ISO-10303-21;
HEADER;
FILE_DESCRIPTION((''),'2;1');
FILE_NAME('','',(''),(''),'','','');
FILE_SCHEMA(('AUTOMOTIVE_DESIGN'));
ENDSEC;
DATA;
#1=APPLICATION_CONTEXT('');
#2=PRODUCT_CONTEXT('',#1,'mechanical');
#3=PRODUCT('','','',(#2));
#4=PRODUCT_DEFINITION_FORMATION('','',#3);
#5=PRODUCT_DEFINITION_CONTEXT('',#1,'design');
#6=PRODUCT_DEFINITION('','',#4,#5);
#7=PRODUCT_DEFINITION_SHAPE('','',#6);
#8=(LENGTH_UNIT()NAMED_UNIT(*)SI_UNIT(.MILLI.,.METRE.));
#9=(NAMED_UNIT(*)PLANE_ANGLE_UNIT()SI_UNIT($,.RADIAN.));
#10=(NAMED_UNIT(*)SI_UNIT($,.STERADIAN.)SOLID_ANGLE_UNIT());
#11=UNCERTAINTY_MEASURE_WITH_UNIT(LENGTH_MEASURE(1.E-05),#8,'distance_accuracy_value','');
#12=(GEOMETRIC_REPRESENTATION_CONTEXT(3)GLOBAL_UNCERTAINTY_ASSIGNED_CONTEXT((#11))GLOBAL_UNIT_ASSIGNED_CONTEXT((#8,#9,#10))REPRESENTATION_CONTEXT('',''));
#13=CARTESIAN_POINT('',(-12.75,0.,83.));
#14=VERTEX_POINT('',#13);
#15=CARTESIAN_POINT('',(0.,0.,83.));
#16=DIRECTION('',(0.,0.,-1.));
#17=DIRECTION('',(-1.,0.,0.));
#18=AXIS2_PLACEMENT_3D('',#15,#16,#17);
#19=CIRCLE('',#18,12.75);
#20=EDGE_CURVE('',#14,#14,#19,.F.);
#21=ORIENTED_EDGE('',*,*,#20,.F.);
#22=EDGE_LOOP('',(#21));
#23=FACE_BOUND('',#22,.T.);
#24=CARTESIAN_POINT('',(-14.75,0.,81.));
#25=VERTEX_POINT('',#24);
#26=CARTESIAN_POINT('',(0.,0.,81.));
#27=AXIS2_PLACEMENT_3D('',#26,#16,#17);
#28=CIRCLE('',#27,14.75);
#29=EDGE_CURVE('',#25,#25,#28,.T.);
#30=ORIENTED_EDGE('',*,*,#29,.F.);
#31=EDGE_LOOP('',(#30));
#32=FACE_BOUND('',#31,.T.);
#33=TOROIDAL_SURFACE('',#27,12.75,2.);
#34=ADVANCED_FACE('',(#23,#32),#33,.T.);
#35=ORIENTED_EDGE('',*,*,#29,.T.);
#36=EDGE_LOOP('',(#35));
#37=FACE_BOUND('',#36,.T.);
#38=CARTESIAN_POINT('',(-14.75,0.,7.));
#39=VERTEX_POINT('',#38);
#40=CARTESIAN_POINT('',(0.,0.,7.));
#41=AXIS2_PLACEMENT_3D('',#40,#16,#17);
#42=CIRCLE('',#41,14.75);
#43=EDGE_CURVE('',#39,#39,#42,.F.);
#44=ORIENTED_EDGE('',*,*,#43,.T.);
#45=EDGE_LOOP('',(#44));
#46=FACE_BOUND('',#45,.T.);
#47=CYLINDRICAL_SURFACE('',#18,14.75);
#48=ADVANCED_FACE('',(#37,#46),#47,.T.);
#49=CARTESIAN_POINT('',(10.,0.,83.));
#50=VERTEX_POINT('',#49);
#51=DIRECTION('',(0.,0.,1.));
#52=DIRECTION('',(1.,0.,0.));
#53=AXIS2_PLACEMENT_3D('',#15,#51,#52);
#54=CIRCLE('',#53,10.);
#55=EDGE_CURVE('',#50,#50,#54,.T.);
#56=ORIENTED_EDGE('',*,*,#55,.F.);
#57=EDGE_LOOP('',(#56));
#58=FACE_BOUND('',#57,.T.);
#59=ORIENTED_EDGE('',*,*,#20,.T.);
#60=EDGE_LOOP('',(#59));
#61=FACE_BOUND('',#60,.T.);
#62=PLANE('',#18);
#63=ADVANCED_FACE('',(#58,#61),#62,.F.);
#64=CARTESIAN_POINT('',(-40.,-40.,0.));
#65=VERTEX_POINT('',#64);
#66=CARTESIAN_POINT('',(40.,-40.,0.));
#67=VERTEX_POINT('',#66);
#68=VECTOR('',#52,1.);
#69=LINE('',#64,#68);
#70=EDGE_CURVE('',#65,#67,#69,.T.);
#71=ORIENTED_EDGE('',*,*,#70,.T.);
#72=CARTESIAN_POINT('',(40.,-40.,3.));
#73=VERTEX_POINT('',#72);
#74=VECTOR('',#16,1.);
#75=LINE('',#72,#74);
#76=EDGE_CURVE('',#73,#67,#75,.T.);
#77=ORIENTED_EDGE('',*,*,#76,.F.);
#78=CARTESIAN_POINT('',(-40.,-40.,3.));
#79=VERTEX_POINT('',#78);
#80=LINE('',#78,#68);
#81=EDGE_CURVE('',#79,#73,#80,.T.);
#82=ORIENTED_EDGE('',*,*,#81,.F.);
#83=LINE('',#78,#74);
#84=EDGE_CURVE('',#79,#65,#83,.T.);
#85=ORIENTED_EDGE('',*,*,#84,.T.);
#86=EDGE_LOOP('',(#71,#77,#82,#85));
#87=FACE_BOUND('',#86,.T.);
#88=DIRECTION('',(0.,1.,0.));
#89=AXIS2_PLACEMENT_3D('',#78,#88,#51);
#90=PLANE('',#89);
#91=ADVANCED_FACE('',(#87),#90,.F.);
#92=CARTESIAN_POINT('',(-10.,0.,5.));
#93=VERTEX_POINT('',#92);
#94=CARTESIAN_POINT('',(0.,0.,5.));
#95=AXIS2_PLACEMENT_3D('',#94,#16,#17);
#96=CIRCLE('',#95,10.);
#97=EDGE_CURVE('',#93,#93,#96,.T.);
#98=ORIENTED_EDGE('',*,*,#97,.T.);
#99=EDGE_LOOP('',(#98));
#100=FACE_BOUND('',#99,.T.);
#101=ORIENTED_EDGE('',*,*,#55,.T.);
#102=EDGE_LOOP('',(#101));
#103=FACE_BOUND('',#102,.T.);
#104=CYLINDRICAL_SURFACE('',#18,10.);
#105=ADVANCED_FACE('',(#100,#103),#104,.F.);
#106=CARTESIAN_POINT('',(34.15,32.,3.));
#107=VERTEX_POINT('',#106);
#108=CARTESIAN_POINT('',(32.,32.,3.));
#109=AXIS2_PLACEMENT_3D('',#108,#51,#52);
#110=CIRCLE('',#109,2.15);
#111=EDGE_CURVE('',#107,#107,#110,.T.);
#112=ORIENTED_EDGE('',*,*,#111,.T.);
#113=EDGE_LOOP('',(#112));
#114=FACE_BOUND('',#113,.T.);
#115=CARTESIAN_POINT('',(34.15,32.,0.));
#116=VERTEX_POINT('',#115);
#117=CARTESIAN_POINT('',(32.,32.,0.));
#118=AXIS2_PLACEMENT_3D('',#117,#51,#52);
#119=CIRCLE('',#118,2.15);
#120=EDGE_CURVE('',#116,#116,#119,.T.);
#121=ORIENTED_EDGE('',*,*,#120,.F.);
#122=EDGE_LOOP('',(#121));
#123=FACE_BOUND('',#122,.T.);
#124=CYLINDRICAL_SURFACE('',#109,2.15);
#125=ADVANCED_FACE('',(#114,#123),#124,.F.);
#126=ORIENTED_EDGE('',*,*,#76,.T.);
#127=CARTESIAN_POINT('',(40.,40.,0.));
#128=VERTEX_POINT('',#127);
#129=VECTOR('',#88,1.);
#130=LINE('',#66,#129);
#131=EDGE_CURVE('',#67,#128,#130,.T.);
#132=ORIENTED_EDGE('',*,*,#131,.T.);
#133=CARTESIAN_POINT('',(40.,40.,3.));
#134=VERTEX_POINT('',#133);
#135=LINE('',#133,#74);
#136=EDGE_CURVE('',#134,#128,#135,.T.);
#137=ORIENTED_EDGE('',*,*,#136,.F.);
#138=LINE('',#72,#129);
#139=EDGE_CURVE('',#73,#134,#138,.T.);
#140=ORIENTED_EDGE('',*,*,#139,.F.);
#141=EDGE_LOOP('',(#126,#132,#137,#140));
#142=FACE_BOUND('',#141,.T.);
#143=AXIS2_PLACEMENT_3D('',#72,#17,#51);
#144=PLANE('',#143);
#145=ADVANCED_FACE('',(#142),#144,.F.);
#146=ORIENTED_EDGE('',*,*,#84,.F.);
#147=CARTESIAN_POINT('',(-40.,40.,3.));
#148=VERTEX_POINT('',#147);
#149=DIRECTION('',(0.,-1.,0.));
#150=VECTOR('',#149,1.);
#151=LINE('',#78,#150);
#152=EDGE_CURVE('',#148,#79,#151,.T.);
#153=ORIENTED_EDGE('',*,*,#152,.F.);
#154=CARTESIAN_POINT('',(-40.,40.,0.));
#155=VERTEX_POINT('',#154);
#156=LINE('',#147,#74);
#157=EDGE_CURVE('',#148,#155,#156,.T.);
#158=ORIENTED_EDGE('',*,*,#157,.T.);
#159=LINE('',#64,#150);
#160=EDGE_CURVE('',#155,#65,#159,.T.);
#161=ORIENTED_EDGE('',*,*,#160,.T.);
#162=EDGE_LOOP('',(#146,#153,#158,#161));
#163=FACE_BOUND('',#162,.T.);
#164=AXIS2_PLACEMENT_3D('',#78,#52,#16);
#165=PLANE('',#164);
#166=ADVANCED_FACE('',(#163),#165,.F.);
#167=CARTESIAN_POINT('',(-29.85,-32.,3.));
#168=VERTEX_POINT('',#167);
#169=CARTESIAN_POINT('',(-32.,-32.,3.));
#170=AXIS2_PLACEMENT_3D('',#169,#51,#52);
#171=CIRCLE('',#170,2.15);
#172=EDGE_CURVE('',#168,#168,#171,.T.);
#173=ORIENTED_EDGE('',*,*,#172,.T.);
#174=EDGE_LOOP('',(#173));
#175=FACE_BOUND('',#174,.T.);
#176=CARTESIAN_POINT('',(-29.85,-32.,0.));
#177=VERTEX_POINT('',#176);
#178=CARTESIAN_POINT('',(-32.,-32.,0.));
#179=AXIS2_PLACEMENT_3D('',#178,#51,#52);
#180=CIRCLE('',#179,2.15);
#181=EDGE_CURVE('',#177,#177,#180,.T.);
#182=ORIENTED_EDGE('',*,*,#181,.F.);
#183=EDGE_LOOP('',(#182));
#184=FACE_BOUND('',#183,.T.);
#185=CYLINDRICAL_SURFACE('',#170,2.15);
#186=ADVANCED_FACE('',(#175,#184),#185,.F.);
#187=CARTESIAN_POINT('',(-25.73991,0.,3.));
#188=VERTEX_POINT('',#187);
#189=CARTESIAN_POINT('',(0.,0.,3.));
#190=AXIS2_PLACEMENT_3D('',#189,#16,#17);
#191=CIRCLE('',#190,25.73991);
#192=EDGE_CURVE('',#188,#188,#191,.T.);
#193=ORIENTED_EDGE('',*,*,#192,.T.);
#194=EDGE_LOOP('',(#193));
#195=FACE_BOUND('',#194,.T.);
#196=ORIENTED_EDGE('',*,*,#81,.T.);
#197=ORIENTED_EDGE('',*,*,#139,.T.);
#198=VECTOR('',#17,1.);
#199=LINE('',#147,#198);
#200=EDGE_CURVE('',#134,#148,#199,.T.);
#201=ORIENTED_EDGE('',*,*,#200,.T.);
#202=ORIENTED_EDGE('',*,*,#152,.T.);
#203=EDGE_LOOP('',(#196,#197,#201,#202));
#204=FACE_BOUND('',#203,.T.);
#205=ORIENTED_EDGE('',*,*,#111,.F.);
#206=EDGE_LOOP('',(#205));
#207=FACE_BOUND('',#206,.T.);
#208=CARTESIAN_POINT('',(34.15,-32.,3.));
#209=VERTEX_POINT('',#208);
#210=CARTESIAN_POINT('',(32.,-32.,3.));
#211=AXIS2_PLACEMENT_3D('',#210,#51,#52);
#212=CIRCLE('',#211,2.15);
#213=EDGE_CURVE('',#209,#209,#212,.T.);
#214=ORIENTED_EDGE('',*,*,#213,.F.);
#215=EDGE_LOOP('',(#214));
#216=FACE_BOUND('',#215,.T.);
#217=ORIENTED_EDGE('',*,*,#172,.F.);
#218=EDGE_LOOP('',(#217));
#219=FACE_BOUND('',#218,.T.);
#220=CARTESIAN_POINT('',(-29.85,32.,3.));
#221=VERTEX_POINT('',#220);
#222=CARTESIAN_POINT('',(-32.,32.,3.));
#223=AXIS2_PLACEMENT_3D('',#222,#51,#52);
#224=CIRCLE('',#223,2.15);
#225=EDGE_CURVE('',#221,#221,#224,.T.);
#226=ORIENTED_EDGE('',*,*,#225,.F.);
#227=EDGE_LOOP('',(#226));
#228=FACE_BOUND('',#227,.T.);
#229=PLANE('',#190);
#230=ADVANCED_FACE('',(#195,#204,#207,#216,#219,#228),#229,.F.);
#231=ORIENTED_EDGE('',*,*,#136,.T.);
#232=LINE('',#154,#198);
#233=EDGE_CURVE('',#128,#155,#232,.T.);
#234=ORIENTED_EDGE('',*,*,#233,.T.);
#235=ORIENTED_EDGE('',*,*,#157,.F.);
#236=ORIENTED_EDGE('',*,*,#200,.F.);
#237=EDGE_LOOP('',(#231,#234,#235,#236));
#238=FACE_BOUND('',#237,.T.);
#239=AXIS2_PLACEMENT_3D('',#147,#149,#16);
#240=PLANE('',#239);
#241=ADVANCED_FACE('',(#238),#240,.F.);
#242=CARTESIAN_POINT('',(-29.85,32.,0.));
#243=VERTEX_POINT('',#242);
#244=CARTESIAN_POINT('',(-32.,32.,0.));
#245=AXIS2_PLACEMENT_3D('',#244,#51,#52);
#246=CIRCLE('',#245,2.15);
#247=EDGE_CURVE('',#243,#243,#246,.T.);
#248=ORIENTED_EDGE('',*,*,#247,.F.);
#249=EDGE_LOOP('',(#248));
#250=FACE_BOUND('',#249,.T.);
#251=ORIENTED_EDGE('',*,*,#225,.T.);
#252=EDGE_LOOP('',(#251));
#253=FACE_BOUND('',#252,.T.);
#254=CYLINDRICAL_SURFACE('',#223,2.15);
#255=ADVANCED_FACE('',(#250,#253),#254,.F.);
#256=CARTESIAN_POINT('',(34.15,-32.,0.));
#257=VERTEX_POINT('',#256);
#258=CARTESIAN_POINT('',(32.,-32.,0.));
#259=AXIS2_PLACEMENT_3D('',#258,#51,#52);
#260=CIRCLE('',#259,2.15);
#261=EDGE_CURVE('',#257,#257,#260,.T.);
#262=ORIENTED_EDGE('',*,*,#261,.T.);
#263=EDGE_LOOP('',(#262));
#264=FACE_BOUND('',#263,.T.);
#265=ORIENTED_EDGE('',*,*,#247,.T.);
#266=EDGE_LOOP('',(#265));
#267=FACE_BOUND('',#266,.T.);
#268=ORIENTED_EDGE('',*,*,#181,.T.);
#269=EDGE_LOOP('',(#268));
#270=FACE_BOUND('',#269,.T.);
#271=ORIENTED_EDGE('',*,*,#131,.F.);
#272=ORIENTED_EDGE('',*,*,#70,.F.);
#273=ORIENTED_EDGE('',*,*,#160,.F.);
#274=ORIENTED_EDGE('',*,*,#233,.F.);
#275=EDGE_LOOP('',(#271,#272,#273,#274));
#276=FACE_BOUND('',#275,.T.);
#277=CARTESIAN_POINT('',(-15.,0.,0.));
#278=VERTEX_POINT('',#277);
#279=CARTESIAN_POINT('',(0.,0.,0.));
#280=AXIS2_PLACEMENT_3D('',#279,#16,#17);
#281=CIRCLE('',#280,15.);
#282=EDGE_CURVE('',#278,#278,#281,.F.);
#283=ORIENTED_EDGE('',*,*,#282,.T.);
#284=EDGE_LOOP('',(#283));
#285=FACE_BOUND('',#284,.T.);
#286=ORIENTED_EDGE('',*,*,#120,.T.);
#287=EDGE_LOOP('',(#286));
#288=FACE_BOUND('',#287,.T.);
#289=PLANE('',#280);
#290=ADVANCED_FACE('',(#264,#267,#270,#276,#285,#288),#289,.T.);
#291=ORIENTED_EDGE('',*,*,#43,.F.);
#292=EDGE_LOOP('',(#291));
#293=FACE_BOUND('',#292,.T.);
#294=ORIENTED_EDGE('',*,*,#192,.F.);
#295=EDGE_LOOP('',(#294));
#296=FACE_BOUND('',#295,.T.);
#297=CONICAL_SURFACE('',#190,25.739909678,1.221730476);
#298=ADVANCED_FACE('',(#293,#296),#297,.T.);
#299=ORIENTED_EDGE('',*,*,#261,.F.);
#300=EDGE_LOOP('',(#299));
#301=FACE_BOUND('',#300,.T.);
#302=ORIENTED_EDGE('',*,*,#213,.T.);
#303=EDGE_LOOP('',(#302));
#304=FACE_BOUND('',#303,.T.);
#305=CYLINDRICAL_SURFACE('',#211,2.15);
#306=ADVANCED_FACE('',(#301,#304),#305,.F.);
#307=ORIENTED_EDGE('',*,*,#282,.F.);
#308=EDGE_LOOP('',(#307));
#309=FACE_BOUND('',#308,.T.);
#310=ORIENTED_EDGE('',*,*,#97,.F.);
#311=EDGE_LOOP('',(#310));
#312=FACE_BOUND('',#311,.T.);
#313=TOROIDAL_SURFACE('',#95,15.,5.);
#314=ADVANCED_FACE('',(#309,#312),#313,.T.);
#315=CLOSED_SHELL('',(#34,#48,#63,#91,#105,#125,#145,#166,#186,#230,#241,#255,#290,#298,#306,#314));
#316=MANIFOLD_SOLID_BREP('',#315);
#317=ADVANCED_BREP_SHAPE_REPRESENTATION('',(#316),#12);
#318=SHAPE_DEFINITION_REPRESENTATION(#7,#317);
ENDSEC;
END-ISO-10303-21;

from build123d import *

# Parameters (mm, degrees)
ESQUISSE1_W                  = 80
ESQUISSE1_H                  = 80
BOSS_EXTRU_1_DEPTH           = 3
BOSS_EXTRU_2_START           = 3
ESQUISSE2_R                  = 14.75
BOSS_EXTRU_2_DEPTH           = 80
CONG_1_R                     = 2
CHANFREIN1_SIZE              = 4
CHANFREIN1_SIZE2             = 10.989909678
ENL_V_MAT_EXTRU_1_DEPTH      = 101.444014257
ENL_V_MAT_EXTRU_1_DEPTH_BACK = 101.444014257
ESQUISSE3_R                  = 10
CONG_2_R                     = 5
D_GAGEMENT_M43_D             = 4.3
SYM_TRIE2_COPY_1_D           = 4.3


with BuildPart() as part:
    # Esquisse1 → Boss.-Extru.1 (new body)
    with BuildSketch(Plane.XY):
        Rectangle(ESQUISSE1_W, ESQUISSE1_H)
    extrude(amount=BOSS_EXTRU_1_DEPTH)

    # Esquisse2 → Boss.-Extru.2 (add)
    with BuildSketch(Plane.XY.offset(BOSS_EXTRU_2_START)):
        with Locations(Location((0, 0, 0), (0, 0, 180))):
            Circle(ESQUISSE2_R)
    extrude(amount=BOSS_EXTRU_2_DEPTH)

    # Congé1
    cong_1_edges = [part.edges().sort_by_distance(p)[0] for p in [
        (14.75, 0, 83),
    ]]
    fillet(cong_1_edges, radius=CONG_1_R)

    # Chanfrein1
    chanfrein1_edges = [part.edges().sort_by_distance(p)[0] for p in [
        (14.75, 0, 3),
    ]]
    chanfrein1_side = [part.faces().sort_by_distance(p)[0] for p in [
        (14.75, 0, 42),
    ]]
    chamfer(chanfrein1_edges, length=CHANFREIN1_SIZE, length2=CHANFREIN1_SIZE2, reference=chanfrein1_side[0])

    # Esquisse3 → Enlèv. mat.-Extru.1 (cut, two sides: drawn at the far end of the back side and taken through both)
    with BuildSketch(Plane.XY.offset(-ENL_V_MAT_EXTRU_1_DEPTH_BACK)):
        with Locations(Location((0, 0, 0), (0, 0, 180))):
            Circle(ESQUISSE3_R)
    extrude(amount=ENL_V_MAT_EXTRU_1_DEPTH + ENL_V_MAT_EXTRU_1_DEPTH_BACK, mode=Mode.SUBTRACT)

    # Congé2
    cong_2_edges = [part.edges().sort_by_distance(p)[0] for p in [
        (10, 0, 0),
    ]]
    fillet(cong_2_edges, radius=CONG_2_R)

    # Dégagement M43 (through all)
    with Locations(Plane(origin=(3.971676253, 8.06271861, 3), x_dir=(1, 0, 0), z_dir=(0, 0, 1))):
        with Locations((28.028323747, -40.06271861)):
            d_gagement_m43 = Hole(D_GAGEMENT_M43_D / 2)

    # Symétrie1: Dégagement M43 across plane
    add(d_gagement_m43.mirror(Plane.ZX), mode=Mode.SUBTRACT)

    # Symétrie2: Dégagement M43 across plane
    add(d_gagement_m43.mirror(Plane(origin=(0, 0, 0), x_dir=(0, 0, 1), z_dir=(1, 0, 0))), mode=Mode.SUBTRACT)

    # Symétrie2 copy 1 (through all)
    with Locations(Plane(origin=(-3.971676253, -8.06271861, 3), x_dir=(-1, 0, 0), z_dir=(0, 0, 1))):
        with Locations((28.028323747, -40.06271861)):
            Hole(SYM_TRIE2_COPY_1_D / 2)


solid = part.part
